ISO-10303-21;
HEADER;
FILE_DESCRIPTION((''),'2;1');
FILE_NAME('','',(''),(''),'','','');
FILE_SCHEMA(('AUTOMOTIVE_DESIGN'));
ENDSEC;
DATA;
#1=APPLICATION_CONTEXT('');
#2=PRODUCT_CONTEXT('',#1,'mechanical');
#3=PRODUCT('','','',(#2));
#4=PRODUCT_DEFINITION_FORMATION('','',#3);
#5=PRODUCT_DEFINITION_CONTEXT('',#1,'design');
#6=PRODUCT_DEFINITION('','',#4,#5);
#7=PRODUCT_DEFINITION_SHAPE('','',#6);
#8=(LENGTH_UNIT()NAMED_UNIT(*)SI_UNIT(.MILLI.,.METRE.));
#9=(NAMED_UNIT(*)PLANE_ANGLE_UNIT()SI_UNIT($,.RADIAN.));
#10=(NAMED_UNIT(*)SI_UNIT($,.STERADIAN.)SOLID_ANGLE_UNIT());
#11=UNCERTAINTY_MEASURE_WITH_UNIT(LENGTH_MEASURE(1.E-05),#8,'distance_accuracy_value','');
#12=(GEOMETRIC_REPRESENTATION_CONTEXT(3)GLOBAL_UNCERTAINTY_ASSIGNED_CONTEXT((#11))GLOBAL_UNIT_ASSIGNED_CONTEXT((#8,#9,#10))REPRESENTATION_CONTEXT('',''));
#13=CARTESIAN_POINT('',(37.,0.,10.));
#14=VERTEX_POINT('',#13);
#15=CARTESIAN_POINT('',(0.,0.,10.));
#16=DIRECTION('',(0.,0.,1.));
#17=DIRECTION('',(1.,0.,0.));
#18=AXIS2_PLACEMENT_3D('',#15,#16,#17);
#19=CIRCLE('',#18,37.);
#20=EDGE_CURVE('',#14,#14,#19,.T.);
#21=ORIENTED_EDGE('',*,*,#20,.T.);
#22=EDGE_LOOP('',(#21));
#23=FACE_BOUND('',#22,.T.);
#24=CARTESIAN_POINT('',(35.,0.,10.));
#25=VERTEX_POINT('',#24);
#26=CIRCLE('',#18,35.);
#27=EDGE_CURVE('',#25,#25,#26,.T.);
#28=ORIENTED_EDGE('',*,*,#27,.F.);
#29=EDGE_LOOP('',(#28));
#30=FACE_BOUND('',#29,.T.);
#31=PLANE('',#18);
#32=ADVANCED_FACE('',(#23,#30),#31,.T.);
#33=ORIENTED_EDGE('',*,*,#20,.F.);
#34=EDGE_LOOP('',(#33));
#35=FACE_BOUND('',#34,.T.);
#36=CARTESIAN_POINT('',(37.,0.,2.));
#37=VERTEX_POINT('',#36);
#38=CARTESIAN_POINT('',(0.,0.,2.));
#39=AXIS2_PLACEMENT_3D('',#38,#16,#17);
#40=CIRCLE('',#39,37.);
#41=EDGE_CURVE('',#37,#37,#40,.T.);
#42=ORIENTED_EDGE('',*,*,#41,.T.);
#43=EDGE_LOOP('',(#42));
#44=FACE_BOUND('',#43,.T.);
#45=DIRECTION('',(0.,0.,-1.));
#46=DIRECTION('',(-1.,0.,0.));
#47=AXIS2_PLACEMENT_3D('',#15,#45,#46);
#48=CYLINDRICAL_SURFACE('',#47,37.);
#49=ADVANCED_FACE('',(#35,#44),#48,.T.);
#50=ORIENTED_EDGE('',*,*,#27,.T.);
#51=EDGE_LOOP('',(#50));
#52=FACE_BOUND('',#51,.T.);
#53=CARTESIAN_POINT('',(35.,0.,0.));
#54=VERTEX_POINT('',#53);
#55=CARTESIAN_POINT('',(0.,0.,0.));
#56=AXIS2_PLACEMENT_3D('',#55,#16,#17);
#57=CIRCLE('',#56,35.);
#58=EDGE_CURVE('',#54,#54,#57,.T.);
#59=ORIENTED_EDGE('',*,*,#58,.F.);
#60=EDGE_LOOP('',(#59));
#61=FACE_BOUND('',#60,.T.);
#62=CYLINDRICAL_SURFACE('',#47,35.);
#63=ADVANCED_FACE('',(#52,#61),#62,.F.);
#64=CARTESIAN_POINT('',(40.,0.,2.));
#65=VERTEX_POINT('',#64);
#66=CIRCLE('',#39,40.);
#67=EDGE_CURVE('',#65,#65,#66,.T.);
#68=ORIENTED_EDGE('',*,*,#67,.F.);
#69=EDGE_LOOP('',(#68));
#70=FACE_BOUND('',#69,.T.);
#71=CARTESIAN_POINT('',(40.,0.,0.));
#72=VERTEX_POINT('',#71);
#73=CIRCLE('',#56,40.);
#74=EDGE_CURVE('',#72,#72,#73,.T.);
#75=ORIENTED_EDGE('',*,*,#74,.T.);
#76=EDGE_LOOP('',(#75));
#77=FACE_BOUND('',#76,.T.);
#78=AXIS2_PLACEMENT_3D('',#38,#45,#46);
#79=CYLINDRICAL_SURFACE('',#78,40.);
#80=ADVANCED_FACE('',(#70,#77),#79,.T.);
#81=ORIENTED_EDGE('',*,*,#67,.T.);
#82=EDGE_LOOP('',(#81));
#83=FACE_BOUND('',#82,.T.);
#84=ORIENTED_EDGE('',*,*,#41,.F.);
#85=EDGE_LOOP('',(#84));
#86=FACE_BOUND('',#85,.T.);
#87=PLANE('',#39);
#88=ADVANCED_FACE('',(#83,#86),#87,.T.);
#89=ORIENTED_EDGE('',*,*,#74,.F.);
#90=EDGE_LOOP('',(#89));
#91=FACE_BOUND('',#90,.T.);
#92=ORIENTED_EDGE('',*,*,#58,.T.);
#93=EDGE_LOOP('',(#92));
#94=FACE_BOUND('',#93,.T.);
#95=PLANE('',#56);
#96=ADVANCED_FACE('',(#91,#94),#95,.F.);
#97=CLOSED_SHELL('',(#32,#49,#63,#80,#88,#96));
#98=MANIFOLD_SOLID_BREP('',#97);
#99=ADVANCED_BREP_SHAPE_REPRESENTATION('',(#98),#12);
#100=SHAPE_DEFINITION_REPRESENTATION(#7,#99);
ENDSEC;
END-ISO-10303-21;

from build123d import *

# Parameters (mm, degrees)
ESQUISSE1_R             = 37
ESQUISSE1_R_2           = 35
BOSS_EXTRU_1_DEPTH      = 10
ESQUISSE3_R             = 40
BOSS_EXTRU_2_DEPTH      = 2
ENL_V_START             = -2
ESQUISSE4_R             = 35
ENL_V_MAT_EXTRU_1_DEPTH = 2


with BuildPart() as part:
    # Esquisse1 → Boss.-Extru.1 (new body)
    with BuildSketch(Plane.XY):
        Circle(ESQUISSE1_R)
        Circle(ESQUISSE1_R_2, mode=Mode.SUBTRACT)
    extrude(amount=BOSS_EXTRU_1_DEPTH)

    # Esquisse3 → Boss.-Extru.2 (add)
    with BuildSketch(Plane.XY):
        Circle(ESQUISSE3_R)
    extrude(amount=BOSS_EXTRU_2_DEPTH)

    # Esquisse4 → Enlèv. mat.-Extru.1 (cut)
    with BuildSketch(Plane.XY.offset(2).offset(ENL_V_START)):
        Circle(ESQUISSE4_R)
    extrude(amount=ENL_V_MAT_EXTRU_1_DEPTH, mode=Mode.SUBTRACT)


solid = part.part
